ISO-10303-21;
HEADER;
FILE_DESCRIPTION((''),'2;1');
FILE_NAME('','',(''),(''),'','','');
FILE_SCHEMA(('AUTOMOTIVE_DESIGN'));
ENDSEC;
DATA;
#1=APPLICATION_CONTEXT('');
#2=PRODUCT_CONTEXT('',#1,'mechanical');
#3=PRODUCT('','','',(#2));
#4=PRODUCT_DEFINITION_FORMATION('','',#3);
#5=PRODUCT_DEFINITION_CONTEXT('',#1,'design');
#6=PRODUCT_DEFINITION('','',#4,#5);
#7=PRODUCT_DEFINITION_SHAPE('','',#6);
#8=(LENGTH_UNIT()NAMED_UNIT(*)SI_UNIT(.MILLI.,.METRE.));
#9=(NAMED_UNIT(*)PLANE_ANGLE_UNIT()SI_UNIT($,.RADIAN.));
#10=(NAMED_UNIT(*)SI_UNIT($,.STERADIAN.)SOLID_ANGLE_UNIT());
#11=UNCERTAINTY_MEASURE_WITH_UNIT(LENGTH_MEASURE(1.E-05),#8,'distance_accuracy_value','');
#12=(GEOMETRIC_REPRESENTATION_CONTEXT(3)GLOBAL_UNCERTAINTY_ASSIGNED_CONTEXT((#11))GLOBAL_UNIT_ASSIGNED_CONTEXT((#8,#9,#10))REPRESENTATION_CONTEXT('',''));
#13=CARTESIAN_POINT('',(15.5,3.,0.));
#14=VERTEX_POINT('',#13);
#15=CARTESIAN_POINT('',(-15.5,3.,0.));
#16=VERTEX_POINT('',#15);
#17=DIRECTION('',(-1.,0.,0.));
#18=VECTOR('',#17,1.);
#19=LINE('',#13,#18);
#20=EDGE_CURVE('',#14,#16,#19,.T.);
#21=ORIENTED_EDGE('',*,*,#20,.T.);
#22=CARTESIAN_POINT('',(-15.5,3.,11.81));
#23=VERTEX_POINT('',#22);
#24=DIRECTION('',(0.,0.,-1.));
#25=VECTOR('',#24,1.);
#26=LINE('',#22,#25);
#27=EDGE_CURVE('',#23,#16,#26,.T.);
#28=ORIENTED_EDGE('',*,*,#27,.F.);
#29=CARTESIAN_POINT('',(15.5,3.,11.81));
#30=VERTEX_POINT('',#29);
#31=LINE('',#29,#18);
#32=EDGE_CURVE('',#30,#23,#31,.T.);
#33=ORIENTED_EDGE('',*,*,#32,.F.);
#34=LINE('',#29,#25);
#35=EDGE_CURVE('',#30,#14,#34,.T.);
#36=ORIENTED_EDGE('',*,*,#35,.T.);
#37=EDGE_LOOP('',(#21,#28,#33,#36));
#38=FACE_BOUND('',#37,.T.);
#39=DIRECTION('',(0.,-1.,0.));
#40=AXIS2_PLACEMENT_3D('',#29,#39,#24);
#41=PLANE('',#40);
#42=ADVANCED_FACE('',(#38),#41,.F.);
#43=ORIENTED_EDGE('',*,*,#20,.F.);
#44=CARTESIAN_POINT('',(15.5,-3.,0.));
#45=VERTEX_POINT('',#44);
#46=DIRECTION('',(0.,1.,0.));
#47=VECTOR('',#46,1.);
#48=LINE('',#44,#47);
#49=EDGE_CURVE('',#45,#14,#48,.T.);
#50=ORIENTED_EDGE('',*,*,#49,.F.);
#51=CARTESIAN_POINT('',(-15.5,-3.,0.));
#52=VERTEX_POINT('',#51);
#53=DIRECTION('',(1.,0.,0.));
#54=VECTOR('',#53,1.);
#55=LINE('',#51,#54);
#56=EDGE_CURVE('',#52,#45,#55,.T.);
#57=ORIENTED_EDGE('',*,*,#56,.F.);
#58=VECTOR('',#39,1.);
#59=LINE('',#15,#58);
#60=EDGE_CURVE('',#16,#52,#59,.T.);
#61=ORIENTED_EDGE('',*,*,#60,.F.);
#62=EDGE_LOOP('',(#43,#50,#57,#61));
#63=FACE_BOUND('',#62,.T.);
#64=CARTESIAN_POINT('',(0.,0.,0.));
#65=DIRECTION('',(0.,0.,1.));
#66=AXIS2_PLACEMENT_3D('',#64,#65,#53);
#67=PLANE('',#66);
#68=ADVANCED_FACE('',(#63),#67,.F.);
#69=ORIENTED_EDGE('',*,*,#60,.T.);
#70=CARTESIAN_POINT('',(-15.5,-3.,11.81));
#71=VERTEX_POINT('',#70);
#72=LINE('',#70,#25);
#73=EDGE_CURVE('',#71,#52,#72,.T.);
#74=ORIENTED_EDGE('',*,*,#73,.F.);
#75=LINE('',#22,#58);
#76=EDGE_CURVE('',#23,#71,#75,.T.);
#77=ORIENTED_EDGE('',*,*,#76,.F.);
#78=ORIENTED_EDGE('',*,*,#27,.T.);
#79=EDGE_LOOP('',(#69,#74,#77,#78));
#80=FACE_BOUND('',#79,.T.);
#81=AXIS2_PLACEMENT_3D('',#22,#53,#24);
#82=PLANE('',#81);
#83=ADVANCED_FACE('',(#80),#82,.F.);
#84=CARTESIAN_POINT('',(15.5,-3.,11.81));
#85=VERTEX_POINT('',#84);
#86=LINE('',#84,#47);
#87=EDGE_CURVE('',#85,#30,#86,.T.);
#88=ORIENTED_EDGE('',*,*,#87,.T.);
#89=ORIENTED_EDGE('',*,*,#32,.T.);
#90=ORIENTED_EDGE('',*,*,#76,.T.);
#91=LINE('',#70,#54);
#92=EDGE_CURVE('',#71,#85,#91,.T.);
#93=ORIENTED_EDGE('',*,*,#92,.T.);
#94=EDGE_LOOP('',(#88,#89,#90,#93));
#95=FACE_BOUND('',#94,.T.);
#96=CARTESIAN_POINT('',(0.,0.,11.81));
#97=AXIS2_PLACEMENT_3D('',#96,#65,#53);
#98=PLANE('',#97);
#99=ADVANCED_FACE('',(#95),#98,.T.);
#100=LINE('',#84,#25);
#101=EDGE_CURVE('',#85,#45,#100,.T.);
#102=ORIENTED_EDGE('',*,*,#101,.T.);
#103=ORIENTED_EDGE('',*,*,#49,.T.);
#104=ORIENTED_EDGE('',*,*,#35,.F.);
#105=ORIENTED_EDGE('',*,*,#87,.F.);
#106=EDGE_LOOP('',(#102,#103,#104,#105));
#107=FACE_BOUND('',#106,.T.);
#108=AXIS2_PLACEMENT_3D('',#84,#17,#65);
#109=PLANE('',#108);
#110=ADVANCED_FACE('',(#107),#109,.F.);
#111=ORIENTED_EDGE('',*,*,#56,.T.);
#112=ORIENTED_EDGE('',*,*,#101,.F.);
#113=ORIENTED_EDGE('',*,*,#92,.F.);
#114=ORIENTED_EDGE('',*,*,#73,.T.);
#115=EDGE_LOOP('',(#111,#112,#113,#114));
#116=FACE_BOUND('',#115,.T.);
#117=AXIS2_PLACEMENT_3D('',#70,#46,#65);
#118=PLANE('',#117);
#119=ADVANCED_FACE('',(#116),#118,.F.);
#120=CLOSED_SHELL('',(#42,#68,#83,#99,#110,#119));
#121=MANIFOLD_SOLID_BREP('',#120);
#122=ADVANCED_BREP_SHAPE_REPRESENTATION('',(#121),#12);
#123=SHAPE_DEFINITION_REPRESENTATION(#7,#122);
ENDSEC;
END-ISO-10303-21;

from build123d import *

# Parameters (mm, degrees)
SKETCH_1_W      = 31
SKETCH_1_H      = 6
EXTRUDE_1_DEPTH = 11.81


with BuildPart() as part:
    # 草圖1 → 填料-伸長1 (new body)
    with BuildSketch(Plane.XY):
        Rectangle(SKETCH_1_W, SKETCH_1_H)
    extrude(amount=EXTRUDE_1_DEPTH)


solid = part.part
